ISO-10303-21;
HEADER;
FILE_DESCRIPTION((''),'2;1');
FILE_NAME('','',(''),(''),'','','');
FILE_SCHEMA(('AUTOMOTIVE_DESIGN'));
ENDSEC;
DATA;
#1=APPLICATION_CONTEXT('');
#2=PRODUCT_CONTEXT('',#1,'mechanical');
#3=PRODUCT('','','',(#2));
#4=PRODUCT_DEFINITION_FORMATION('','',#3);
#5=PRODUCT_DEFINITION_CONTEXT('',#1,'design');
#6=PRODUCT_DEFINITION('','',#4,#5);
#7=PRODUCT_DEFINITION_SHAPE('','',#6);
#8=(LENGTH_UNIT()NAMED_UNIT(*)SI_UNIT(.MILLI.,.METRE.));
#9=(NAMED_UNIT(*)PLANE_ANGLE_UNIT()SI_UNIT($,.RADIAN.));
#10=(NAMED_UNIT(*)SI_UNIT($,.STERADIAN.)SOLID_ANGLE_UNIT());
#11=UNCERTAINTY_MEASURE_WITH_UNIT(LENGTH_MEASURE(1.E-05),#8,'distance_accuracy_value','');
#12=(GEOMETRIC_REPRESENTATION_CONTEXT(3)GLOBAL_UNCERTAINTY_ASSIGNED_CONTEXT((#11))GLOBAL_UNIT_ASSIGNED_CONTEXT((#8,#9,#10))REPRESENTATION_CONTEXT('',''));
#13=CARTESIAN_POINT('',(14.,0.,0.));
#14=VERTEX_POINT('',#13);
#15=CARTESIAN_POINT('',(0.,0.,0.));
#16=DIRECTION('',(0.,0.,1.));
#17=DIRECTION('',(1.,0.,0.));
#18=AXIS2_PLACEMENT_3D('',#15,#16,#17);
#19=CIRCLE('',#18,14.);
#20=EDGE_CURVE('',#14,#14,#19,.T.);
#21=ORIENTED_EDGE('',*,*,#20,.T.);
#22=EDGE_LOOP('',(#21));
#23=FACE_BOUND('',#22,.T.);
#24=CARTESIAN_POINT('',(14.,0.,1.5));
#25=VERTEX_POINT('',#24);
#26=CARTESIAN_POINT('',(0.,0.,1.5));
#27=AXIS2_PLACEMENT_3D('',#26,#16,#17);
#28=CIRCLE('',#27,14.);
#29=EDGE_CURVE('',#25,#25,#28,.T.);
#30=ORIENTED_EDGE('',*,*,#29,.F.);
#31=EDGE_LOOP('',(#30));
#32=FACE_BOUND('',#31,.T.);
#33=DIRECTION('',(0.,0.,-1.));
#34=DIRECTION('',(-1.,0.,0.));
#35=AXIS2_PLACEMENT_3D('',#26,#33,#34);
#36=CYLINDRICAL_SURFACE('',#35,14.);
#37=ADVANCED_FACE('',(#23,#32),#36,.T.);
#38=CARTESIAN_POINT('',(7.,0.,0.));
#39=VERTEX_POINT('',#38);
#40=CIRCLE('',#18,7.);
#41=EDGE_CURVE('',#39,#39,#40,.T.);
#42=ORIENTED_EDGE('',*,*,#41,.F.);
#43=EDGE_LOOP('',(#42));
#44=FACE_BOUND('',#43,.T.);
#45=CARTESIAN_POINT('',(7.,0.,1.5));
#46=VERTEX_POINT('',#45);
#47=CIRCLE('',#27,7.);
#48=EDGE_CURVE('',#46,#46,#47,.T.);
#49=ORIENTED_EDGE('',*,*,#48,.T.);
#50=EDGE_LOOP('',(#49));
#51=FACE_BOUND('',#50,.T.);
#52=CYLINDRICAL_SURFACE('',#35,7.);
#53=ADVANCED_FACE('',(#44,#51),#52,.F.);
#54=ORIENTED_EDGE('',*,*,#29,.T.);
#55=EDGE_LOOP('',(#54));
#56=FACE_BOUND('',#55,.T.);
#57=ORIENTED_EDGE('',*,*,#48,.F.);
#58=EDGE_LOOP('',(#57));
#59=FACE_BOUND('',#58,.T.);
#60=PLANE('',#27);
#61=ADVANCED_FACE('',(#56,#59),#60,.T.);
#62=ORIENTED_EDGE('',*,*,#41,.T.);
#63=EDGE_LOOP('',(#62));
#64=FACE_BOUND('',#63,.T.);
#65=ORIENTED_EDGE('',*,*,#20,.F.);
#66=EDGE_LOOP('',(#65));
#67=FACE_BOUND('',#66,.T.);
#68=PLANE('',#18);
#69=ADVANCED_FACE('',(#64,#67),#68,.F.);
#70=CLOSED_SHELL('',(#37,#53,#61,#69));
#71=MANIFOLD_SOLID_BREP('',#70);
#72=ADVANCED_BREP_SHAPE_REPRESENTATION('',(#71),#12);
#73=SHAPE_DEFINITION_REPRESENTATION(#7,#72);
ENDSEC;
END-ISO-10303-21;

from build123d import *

# Parameters (mm, degrees)
SKETCH1_R           = 14
SKETCH1_R_2         = 7
BOSS_EXTRUDE1_DEPTH = 1.5


with BuildPart() as part:
    # Sketch1 → Boss-Extrude1 (new body)
    with BuildSketch(Plane.XY):
        Circle(SKETCH1_R)
        Circle(SKETCH1_R_2, mode=Mode.SUBTRACT)
    extrude(amount=BOSS_EXTRUDE1_DEPTH)


solid = part.part
